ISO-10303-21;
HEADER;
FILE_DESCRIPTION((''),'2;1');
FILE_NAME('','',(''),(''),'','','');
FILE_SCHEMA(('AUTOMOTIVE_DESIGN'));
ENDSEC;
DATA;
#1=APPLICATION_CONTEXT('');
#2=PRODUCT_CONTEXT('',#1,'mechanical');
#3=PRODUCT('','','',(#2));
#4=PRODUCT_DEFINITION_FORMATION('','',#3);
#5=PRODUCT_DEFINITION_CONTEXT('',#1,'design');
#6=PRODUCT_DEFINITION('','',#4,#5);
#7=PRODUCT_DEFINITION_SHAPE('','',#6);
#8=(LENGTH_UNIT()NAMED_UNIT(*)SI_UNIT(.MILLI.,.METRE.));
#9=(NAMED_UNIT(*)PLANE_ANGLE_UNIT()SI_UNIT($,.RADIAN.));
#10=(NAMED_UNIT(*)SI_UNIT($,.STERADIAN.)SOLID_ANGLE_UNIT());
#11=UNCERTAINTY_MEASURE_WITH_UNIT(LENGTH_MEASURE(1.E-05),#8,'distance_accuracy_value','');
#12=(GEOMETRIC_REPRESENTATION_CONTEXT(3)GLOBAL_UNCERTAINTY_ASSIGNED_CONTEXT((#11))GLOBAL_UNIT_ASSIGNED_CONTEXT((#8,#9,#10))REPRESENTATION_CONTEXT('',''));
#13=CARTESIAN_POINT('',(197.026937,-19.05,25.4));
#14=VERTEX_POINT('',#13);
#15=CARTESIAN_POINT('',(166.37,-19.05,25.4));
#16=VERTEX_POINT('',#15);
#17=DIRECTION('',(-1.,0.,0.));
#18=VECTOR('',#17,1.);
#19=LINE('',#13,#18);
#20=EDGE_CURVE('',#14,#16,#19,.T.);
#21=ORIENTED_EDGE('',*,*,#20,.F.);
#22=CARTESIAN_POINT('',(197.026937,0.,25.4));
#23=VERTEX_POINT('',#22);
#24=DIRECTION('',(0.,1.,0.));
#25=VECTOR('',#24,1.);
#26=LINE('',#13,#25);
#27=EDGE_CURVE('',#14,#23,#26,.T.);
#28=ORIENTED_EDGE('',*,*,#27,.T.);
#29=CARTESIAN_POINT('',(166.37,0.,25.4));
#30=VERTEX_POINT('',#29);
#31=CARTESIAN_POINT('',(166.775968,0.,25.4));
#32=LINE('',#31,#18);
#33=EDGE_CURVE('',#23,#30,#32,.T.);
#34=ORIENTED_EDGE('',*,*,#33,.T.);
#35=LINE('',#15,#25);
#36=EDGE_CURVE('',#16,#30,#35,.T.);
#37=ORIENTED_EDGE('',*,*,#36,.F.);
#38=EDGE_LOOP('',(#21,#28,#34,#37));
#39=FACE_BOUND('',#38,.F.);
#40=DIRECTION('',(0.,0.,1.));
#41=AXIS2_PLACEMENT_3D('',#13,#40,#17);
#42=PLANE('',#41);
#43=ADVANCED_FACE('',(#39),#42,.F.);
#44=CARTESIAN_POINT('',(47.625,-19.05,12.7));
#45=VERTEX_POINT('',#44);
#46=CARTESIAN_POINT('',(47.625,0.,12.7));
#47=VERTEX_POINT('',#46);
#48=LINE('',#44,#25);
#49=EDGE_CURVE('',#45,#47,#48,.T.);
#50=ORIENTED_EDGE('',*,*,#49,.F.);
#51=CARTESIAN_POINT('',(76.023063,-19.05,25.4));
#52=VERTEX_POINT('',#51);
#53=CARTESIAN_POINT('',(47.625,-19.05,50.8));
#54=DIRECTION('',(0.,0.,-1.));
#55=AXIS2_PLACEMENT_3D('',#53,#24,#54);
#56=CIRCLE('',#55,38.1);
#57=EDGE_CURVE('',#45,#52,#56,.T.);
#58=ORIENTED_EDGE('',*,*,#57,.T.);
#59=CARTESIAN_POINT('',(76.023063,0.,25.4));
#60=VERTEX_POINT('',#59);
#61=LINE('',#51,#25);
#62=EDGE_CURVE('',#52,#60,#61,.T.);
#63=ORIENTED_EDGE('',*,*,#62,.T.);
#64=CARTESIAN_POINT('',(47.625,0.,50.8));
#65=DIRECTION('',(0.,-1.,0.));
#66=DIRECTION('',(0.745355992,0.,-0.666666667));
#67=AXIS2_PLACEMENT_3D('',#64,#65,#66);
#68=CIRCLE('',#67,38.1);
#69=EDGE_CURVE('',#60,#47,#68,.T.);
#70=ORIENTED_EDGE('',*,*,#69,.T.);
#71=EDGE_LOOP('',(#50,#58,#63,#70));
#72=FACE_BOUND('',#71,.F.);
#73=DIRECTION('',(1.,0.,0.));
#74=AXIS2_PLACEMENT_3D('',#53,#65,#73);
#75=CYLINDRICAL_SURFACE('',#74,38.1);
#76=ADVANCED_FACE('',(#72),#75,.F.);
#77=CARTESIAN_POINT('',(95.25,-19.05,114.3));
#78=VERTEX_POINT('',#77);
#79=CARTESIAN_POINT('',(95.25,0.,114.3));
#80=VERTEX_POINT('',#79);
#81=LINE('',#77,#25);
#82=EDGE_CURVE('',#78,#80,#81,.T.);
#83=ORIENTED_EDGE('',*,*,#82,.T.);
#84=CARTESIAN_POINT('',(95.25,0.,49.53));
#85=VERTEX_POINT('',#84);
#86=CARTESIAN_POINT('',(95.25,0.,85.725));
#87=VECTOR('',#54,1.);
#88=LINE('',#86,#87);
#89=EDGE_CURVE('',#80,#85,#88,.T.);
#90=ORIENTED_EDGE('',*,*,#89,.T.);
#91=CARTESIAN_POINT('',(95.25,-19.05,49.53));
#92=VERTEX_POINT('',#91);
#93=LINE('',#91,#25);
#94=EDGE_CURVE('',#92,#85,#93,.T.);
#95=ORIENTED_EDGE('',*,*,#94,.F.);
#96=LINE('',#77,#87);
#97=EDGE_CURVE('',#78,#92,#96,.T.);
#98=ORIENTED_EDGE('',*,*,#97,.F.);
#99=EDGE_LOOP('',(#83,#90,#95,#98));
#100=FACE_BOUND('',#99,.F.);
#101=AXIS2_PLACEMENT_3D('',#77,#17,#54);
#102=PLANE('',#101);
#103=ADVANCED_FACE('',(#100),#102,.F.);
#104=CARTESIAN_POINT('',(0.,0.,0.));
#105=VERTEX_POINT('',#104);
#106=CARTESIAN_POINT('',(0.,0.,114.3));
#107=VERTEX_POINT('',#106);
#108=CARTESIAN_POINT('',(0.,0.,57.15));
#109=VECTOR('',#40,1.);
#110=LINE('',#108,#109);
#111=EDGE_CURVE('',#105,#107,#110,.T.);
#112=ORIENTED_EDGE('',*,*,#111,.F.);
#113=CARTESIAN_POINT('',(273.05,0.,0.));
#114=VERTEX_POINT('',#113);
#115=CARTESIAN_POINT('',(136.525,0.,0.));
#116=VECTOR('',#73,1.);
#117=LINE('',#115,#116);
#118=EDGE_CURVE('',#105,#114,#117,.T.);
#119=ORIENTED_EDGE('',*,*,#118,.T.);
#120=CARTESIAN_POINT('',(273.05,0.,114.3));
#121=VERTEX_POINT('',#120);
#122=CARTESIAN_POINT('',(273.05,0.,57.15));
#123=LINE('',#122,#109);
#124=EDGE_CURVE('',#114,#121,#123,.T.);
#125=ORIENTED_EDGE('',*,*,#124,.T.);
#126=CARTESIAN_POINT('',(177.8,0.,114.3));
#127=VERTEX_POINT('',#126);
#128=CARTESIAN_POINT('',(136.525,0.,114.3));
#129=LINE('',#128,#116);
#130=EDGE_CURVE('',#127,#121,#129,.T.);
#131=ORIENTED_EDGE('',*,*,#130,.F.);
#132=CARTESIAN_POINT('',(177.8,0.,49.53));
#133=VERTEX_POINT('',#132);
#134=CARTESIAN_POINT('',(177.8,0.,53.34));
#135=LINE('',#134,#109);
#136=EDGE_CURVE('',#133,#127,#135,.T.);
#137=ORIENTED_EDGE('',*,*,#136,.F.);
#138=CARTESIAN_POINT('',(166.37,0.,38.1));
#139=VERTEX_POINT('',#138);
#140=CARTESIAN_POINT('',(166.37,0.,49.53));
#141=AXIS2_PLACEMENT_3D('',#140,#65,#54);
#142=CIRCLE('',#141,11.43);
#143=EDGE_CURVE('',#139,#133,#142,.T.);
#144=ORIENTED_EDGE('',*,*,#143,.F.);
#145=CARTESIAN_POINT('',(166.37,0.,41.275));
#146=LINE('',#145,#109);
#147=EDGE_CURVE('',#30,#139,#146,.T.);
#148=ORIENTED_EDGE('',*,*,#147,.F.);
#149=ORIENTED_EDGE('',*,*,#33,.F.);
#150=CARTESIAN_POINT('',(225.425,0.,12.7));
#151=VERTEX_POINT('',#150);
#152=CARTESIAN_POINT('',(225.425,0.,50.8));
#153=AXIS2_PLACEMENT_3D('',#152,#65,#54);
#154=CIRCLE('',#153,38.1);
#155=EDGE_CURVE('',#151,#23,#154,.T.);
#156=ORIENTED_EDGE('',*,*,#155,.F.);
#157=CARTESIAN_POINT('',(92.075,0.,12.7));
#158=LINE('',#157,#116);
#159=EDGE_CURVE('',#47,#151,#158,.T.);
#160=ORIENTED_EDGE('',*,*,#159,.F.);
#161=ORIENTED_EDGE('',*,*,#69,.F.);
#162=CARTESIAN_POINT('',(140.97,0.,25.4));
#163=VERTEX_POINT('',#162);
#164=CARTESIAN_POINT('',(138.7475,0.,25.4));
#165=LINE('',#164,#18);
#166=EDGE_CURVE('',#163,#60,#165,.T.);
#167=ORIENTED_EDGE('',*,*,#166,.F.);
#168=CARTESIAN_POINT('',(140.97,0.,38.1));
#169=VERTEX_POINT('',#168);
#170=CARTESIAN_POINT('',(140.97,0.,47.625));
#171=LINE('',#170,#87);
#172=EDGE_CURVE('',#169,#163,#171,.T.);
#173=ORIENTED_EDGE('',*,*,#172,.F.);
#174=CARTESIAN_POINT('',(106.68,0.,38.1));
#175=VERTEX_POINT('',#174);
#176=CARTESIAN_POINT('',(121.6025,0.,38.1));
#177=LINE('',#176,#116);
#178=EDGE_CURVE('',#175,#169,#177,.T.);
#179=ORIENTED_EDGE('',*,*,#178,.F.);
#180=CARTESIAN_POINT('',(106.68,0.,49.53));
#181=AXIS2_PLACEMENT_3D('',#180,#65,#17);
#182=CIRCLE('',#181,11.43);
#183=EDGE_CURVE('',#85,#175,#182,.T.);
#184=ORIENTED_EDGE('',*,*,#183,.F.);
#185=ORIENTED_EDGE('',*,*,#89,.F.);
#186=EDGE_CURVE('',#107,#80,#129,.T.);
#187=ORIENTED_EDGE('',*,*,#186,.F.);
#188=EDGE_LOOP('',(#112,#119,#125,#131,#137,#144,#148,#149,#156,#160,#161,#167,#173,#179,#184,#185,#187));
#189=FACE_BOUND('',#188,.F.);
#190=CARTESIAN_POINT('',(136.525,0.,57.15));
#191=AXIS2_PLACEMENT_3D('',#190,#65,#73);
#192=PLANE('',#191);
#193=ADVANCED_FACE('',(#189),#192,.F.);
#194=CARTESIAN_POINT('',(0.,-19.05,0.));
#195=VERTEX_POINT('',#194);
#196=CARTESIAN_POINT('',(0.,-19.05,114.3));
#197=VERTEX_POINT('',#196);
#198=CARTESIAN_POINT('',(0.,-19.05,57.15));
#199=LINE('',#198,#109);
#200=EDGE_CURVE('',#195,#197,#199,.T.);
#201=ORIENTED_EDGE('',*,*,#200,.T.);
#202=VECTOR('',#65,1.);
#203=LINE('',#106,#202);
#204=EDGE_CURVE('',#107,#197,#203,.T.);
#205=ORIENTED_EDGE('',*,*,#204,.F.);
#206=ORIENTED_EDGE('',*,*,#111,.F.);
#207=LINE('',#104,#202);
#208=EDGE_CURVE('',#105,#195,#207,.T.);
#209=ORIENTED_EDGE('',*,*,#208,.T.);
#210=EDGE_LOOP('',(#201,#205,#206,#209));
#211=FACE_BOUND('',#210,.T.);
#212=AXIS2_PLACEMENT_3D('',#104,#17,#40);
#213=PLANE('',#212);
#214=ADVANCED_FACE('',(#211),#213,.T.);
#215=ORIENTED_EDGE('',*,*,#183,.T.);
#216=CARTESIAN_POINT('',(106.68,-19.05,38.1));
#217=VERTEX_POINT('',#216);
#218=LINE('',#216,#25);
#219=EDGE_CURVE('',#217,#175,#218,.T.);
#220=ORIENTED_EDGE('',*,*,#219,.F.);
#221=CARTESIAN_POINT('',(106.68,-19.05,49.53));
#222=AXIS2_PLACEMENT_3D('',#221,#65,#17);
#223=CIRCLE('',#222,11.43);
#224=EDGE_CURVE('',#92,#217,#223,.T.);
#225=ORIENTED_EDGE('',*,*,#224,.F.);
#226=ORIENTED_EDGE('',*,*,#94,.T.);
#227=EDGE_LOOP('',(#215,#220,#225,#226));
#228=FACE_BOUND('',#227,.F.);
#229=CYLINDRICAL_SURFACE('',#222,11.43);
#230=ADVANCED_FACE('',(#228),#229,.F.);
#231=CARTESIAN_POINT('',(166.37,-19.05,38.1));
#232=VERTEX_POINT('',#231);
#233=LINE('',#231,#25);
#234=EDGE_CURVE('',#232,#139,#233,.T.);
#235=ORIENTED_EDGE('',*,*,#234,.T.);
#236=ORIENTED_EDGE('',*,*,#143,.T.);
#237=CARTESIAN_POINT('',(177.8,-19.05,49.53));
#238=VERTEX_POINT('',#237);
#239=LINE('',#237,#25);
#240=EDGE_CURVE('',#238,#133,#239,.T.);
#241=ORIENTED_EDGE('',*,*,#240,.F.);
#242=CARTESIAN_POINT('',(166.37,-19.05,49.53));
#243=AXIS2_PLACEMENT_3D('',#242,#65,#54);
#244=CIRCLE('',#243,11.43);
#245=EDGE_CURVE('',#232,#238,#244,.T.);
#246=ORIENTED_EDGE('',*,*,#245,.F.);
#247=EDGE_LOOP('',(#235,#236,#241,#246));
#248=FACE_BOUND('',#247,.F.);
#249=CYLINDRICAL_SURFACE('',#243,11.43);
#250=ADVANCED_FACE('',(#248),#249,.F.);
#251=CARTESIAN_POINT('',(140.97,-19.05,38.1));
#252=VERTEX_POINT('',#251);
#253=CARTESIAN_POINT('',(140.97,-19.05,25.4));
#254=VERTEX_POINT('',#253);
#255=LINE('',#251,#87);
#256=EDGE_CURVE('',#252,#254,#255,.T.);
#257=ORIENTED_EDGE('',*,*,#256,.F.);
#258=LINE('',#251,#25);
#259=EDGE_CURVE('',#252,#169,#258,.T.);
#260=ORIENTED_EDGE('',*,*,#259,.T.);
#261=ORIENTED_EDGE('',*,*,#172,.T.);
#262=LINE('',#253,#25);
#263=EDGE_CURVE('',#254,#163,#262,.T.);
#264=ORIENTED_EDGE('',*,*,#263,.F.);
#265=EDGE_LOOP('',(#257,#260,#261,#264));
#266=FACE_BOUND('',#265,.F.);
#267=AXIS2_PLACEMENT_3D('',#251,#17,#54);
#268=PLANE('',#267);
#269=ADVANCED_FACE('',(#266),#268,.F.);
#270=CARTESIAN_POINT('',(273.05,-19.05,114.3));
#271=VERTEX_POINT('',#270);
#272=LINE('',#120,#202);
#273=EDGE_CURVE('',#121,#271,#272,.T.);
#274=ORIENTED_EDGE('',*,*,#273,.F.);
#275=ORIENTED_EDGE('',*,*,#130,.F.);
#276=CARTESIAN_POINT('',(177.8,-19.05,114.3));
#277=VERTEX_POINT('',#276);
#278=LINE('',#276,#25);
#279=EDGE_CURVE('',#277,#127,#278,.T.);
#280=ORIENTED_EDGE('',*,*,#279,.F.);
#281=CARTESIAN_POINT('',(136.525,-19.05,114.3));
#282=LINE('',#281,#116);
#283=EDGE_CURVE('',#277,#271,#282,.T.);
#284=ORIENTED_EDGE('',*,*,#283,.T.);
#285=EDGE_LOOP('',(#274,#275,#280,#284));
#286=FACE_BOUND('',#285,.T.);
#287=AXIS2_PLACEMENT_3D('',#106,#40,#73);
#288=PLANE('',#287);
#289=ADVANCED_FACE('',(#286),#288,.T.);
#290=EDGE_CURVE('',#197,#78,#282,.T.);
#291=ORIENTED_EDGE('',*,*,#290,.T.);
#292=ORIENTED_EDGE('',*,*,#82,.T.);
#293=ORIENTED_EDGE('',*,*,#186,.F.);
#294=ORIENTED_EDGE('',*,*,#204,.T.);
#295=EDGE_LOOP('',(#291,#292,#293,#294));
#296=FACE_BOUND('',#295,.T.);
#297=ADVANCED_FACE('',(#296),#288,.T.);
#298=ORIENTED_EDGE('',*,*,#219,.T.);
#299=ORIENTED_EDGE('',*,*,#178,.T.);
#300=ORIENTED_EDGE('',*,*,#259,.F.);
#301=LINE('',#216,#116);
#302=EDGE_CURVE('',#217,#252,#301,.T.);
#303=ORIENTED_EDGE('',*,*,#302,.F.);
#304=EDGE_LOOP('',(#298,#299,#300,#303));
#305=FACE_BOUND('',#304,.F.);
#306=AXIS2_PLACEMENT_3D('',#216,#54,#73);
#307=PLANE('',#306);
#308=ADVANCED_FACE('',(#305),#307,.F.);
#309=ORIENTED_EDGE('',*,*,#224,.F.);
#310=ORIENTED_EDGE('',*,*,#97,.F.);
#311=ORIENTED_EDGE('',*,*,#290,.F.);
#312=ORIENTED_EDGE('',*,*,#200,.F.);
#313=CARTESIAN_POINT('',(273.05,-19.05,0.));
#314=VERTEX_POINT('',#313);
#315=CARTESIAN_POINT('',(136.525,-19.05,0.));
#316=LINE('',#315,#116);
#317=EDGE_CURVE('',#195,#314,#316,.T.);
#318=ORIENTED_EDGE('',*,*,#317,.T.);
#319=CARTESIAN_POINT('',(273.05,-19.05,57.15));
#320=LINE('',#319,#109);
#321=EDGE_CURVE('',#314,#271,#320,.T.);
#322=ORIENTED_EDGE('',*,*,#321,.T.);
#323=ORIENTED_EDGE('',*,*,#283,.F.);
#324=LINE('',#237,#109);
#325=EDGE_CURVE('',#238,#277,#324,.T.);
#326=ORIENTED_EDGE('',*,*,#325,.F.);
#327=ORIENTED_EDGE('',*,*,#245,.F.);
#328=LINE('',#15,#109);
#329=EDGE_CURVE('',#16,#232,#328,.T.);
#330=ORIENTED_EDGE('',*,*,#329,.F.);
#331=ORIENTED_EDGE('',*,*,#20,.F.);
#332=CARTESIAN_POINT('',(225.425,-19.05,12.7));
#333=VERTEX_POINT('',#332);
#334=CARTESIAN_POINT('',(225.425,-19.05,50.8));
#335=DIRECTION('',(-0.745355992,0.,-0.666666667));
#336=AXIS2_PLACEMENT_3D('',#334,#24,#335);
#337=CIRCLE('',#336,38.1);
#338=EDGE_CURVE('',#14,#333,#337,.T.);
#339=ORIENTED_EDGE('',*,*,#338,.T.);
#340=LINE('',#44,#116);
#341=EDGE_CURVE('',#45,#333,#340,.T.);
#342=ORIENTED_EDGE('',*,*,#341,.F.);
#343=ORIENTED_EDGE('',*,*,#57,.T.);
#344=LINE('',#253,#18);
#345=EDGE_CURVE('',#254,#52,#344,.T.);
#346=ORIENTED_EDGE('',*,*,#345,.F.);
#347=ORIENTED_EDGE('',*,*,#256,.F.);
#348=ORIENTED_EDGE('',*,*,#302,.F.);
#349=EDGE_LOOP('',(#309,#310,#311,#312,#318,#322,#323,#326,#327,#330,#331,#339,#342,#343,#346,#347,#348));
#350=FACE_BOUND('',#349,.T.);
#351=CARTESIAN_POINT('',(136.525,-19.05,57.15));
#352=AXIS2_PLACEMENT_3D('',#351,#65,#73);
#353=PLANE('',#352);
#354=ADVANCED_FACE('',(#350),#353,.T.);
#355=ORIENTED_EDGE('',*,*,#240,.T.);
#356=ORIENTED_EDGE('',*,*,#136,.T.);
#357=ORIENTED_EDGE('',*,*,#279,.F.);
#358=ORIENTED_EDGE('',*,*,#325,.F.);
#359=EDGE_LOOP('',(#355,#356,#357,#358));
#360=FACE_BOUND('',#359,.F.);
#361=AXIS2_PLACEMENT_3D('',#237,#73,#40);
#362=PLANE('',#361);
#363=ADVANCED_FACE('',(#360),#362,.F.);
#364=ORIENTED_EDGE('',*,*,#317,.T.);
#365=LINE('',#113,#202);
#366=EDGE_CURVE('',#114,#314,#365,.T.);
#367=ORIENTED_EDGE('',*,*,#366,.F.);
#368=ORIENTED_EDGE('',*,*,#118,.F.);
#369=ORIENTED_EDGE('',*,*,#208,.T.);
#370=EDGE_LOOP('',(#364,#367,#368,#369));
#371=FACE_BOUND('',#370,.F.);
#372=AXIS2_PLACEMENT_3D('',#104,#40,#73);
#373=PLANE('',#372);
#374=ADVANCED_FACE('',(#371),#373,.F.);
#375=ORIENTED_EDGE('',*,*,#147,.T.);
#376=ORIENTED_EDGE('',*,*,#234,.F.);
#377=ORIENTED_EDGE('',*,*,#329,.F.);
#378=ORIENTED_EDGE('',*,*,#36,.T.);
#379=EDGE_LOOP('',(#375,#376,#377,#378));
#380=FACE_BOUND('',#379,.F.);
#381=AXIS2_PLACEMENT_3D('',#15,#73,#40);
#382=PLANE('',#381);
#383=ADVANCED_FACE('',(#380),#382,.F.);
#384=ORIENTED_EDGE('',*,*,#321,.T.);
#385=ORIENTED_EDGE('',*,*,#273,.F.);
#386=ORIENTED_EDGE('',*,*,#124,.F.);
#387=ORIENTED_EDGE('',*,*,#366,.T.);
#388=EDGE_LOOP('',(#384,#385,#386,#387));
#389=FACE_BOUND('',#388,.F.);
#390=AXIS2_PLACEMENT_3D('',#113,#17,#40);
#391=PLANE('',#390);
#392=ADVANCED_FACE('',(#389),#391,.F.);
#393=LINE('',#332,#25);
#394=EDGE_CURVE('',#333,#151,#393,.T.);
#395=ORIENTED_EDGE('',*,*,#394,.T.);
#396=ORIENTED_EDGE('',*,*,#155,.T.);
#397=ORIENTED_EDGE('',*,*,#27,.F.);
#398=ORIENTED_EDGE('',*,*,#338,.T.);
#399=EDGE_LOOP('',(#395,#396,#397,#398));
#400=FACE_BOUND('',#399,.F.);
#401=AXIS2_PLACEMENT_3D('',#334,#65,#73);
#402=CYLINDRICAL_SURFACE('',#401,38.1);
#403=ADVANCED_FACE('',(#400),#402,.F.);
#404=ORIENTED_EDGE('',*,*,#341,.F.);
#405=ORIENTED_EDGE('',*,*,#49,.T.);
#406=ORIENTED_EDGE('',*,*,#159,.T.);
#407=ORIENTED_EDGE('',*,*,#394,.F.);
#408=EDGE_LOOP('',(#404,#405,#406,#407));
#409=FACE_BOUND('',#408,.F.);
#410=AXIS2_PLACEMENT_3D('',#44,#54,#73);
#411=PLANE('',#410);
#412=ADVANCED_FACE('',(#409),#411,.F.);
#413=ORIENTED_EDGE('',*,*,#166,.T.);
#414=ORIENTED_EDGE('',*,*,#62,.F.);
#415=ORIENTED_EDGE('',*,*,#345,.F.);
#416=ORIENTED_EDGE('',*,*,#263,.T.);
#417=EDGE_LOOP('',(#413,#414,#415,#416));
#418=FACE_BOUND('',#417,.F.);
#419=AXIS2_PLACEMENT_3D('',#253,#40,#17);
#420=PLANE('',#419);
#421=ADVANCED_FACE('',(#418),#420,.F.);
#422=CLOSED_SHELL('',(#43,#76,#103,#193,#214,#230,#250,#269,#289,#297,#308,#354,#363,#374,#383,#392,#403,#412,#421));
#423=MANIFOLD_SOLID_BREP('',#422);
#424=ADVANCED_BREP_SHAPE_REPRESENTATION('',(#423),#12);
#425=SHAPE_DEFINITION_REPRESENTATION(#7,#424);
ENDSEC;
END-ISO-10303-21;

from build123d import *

# Parameters (mm, degrees)
F0_W     = 273.05
F0_H     = 114.3
F1_DEPTH = 19.05
F2_R     = 38.1
F3_DEPTH = 25.4
F5_DEPTH = 25.4
F7_DEPTH = 25.4


with BuildPart() as f1:
    # F0 (on Front) → F1 (new body)
    with BuildSketch(Plane.XZ):
        with Locations((136.525, 57.15)):
            Rectangle(F0_W, F0_H)
    extrude(amount=F1_DEPTH)

    # F2 (on face) → F3 (cut)
    with BuildSketch(Plane.XZ.offset(19.05)):
        with Locations((47.625, 50.8)):
            Circle(F2_R)
        with Locations((225.425, 50.8)):
            Circle(F2_R)
    extrude(amount=-F3_DEPTH, mode=Mode.SUBTRACT)

    # F4 (on face) → F5 (cut)
    with BuildSketch(Plane.XZ.offset(19.05)):
        with BuildLine():
            Line((177.8, 114.3), (95.25, 114.3))
            Line((95.25, 114.3), (95.25, 49.53))
            ThreePointArc((95.25, 49.53), (98.597769491, 41.447769491), (106.68, 38.1))
            Line((106.68, 38.1), (166.37, 38.1))
            ThreePointArc((166.37, 38.1), (174.452230509, 41.447769491), (177.8, 49.53))
            Line((177.8, 49.53), (177.8, 114.3))
        make_face()
    extrude(amount=-F5_DEPTH, mode=Mode.SUBTRACT)

    # F6 (on face) → F7 (cut)
    with BuildSketch(Plane.XZ.offset(19.05)):
        with BuildLine():
            Line((166.37, 38.1), (140.97, 38.1))
            Line((140.97, 38.1), (140.97, 25.4))
            Line((140.97, 25.4), (76.0230633142, 25.4))
            ThreePointArc((76.0230633142, 25.4), (63.1792598667, 16.0196175984), (47.625, 12.7))
            Line((47.625, 12.7), (225.425, 12.7))
            ThreePointArc((225.425, 12.7), (209.8707401333, 16.0196175984), (197.0269366858, 25.4))
            Line((197.0269366858, 25.4), (166.37, 25.4))
            Line((166.37, 25.4), (166.37, 38.1))
        make_face()
    extrude(amount=-F7_DEPTH, mode=Mode.SUBTRACT)


solid = f1.part
